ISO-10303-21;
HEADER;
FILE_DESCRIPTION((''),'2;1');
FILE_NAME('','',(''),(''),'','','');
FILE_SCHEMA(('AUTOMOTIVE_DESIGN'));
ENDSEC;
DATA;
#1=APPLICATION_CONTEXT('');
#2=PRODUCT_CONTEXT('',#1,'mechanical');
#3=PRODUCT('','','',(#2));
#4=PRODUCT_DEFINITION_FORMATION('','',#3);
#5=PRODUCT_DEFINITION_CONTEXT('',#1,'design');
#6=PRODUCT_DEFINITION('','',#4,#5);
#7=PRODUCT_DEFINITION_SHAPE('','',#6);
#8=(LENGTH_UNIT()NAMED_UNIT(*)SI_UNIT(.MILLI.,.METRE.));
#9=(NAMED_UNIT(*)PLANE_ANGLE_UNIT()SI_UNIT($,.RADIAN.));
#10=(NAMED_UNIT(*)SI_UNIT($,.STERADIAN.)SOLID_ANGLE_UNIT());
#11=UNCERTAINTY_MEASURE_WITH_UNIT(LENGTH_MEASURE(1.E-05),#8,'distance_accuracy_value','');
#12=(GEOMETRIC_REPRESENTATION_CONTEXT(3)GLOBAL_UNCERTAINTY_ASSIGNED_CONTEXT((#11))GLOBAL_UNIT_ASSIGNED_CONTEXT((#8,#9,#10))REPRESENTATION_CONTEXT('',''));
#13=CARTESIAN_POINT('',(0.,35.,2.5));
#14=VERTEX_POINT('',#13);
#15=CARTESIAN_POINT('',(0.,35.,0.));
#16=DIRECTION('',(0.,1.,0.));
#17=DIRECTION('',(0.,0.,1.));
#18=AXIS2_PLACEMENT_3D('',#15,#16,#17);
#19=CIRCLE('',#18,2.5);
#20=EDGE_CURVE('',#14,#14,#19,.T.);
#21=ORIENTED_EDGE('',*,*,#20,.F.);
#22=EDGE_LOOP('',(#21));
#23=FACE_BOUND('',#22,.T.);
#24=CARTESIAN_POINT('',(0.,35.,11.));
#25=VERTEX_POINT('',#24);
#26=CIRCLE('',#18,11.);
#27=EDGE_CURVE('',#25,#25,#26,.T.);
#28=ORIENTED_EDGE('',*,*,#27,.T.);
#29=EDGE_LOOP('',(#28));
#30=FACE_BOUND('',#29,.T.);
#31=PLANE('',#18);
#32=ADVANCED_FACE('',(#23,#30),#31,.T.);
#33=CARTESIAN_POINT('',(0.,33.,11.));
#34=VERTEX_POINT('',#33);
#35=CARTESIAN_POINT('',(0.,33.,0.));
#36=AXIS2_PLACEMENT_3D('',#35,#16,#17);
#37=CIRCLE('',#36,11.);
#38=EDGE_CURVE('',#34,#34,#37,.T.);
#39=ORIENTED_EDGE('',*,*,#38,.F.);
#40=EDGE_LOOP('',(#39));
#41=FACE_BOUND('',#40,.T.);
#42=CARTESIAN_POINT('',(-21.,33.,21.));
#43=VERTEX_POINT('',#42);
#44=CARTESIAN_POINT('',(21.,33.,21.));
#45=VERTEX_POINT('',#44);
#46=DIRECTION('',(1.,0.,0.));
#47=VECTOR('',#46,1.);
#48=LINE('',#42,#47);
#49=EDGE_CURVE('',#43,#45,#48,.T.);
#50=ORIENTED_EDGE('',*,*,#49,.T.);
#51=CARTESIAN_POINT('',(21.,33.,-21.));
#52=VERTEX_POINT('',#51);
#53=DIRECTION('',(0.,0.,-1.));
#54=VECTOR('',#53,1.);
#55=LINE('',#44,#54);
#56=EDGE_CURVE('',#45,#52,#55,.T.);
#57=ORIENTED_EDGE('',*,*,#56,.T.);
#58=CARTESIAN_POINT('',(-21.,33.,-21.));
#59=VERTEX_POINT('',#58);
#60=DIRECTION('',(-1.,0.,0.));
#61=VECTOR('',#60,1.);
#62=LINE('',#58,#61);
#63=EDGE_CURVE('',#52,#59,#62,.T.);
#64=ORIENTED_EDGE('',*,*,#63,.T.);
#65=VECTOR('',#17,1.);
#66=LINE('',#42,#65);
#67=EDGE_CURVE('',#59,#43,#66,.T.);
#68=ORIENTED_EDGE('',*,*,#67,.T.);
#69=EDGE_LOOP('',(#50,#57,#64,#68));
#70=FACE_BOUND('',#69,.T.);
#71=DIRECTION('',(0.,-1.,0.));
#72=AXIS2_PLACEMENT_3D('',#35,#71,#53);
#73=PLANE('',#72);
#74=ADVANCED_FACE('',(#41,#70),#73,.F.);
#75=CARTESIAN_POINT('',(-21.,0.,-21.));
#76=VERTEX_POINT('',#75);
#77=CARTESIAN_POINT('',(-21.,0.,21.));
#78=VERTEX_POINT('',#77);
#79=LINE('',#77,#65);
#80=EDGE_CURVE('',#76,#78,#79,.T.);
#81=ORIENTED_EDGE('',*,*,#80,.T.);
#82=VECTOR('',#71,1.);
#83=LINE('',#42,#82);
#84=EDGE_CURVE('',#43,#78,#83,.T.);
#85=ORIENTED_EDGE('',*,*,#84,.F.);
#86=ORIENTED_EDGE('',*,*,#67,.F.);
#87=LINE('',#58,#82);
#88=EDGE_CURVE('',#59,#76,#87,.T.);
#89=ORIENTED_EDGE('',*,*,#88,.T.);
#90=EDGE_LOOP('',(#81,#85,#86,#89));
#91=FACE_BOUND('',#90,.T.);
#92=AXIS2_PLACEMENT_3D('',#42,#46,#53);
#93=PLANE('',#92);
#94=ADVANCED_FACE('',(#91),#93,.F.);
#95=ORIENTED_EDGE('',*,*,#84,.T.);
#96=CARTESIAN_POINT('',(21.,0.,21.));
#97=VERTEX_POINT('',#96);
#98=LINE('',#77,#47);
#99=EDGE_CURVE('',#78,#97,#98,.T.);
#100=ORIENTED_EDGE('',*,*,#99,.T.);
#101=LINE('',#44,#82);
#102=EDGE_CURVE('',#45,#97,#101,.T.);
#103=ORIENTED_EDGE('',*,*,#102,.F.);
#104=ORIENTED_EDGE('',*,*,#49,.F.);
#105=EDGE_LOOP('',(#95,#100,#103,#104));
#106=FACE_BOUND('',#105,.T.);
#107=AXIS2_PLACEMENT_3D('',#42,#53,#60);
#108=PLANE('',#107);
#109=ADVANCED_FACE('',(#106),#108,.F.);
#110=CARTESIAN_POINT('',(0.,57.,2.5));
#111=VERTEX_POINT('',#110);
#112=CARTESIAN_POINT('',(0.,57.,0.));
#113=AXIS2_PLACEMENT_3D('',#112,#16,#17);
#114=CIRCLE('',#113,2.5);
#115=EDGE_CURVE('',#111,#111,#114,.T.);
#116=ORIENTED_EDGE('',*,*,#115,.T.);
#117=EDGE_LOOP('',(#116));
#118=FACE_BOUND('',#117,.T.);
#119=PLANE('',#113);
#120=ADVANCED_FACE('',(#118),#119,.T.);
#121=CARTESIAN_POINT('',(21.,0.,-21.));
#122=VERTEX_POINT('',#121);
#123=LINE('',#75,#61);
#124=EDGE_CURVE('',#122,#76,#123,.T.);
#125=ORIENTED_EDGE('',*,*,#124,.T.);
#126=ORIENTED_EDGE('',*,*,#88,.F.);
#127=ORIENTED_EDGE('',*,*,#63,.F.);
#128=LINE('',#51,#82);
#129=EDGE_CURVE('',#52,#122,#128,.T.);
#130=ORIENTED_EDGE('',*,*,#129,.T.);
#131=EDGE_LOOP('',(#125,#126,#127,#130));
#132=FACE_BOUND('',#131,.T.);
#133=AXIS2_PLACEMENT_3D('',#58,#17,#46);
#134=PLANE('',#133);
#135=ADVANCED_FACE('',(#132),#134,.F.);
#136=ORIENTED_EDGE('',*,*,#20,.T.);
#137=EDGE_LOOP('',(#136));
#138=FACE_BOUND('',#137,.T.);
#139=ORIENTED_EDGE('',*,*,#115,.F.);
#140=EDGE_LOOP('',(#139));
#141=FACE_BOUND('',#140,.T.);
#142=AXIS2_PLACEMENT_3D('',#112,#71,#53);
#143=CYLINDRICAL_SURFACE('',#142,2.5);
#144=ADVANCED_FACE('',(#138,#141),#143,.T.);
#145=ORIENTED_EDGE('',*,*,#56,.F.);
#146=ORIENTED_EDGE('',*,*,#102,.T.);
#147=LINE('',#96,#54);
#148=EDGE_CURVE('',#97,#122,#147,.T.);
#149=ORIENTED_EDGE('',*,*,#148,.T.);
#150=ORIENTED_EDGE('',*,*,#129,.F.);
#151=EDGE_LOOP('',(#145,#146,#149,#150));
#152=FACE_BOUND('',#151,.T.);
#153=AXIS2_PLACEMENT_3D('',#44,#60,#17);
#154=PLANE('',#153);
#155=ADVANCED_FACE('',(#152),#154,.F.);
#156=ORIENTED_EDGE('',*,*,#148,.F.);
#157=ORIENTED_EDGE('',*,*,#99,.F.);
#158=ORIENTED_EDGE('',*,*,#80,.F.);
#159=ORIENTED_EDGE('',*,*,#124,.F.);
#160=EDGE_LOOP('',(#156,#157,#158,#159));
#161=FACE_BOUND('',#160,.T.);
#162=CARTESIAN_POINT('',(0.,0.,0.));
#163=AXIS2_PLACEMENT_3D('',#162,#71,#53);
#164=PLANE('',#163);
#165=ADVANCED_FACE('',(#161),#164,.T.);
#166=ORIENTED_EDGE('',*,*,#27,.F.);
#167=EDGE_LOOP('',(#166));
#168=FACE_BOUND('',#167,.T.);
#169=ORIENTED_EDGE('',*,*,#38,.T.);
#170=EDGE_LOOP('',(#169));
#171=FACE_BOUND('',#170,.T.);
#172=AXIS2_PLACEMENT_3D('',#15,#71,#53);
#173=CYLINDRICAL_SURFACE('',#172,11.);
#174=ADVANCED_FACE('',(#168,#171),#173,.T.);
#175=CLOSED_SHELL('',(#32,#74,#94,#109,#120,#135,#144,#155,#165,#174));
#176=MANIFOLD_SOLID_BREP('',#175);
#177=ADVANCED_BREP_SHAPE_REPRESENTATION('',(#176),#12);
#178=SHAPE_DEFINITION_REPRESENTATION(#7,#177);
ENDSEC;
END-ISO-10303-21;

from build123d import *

# Parameters (mm, degrees)
SKETCH1_W           = 42
SKETCH1_H           = 42
BOSS_EXTRUDE1_DEPTH = 33
SKETCH2_R           = 11
BOSS_EXTRUDE2_DEPTH = 2
SKETCH3_R           = 2.5
BOSS_EXTRUDE3_DEPTH = 22


with BuildPart() as part:
    # Sketch1 → Boss-Extrude1 (new body)
    with BuildSketch(Plane(origin=(0, 0, 0), x_dir=(1, 0, 0), z_dir=(0, 1, 0))):
        Rectangle(SKETCH1_W, SKETCH1_H)
    extrude(amount=BOSS_EXTRUDE1_DEPTH)

    # Sketch2 → Boss-Extrude2 (add)
    with BuildSketch(Plane(origin=(0, 33, 0), x_dir=(1, 0, 0), z_dir=(0, 1, 0))):
        with Locations(Location((0, 0, 0), (0, 0, 270))):
            Circle(SKETCH2_R)
    extrude(amount=BOSS_EXTRUDE2_DEPTH)

    # Sketch3 → Boss-Extrude3 (add)
    with BuildSketch(Plane(origin=(0, 35, 0), x_dir=(1, 0, 0), z_dir=(0, 1, 0))):
        with Locations(Location((0, 0, 0), (0, 0, 270))):
            Circle(SKETCH3_R)
    extrude(amount=BOSS_EXTRUDE3_DEPTH)


solid = part.part
